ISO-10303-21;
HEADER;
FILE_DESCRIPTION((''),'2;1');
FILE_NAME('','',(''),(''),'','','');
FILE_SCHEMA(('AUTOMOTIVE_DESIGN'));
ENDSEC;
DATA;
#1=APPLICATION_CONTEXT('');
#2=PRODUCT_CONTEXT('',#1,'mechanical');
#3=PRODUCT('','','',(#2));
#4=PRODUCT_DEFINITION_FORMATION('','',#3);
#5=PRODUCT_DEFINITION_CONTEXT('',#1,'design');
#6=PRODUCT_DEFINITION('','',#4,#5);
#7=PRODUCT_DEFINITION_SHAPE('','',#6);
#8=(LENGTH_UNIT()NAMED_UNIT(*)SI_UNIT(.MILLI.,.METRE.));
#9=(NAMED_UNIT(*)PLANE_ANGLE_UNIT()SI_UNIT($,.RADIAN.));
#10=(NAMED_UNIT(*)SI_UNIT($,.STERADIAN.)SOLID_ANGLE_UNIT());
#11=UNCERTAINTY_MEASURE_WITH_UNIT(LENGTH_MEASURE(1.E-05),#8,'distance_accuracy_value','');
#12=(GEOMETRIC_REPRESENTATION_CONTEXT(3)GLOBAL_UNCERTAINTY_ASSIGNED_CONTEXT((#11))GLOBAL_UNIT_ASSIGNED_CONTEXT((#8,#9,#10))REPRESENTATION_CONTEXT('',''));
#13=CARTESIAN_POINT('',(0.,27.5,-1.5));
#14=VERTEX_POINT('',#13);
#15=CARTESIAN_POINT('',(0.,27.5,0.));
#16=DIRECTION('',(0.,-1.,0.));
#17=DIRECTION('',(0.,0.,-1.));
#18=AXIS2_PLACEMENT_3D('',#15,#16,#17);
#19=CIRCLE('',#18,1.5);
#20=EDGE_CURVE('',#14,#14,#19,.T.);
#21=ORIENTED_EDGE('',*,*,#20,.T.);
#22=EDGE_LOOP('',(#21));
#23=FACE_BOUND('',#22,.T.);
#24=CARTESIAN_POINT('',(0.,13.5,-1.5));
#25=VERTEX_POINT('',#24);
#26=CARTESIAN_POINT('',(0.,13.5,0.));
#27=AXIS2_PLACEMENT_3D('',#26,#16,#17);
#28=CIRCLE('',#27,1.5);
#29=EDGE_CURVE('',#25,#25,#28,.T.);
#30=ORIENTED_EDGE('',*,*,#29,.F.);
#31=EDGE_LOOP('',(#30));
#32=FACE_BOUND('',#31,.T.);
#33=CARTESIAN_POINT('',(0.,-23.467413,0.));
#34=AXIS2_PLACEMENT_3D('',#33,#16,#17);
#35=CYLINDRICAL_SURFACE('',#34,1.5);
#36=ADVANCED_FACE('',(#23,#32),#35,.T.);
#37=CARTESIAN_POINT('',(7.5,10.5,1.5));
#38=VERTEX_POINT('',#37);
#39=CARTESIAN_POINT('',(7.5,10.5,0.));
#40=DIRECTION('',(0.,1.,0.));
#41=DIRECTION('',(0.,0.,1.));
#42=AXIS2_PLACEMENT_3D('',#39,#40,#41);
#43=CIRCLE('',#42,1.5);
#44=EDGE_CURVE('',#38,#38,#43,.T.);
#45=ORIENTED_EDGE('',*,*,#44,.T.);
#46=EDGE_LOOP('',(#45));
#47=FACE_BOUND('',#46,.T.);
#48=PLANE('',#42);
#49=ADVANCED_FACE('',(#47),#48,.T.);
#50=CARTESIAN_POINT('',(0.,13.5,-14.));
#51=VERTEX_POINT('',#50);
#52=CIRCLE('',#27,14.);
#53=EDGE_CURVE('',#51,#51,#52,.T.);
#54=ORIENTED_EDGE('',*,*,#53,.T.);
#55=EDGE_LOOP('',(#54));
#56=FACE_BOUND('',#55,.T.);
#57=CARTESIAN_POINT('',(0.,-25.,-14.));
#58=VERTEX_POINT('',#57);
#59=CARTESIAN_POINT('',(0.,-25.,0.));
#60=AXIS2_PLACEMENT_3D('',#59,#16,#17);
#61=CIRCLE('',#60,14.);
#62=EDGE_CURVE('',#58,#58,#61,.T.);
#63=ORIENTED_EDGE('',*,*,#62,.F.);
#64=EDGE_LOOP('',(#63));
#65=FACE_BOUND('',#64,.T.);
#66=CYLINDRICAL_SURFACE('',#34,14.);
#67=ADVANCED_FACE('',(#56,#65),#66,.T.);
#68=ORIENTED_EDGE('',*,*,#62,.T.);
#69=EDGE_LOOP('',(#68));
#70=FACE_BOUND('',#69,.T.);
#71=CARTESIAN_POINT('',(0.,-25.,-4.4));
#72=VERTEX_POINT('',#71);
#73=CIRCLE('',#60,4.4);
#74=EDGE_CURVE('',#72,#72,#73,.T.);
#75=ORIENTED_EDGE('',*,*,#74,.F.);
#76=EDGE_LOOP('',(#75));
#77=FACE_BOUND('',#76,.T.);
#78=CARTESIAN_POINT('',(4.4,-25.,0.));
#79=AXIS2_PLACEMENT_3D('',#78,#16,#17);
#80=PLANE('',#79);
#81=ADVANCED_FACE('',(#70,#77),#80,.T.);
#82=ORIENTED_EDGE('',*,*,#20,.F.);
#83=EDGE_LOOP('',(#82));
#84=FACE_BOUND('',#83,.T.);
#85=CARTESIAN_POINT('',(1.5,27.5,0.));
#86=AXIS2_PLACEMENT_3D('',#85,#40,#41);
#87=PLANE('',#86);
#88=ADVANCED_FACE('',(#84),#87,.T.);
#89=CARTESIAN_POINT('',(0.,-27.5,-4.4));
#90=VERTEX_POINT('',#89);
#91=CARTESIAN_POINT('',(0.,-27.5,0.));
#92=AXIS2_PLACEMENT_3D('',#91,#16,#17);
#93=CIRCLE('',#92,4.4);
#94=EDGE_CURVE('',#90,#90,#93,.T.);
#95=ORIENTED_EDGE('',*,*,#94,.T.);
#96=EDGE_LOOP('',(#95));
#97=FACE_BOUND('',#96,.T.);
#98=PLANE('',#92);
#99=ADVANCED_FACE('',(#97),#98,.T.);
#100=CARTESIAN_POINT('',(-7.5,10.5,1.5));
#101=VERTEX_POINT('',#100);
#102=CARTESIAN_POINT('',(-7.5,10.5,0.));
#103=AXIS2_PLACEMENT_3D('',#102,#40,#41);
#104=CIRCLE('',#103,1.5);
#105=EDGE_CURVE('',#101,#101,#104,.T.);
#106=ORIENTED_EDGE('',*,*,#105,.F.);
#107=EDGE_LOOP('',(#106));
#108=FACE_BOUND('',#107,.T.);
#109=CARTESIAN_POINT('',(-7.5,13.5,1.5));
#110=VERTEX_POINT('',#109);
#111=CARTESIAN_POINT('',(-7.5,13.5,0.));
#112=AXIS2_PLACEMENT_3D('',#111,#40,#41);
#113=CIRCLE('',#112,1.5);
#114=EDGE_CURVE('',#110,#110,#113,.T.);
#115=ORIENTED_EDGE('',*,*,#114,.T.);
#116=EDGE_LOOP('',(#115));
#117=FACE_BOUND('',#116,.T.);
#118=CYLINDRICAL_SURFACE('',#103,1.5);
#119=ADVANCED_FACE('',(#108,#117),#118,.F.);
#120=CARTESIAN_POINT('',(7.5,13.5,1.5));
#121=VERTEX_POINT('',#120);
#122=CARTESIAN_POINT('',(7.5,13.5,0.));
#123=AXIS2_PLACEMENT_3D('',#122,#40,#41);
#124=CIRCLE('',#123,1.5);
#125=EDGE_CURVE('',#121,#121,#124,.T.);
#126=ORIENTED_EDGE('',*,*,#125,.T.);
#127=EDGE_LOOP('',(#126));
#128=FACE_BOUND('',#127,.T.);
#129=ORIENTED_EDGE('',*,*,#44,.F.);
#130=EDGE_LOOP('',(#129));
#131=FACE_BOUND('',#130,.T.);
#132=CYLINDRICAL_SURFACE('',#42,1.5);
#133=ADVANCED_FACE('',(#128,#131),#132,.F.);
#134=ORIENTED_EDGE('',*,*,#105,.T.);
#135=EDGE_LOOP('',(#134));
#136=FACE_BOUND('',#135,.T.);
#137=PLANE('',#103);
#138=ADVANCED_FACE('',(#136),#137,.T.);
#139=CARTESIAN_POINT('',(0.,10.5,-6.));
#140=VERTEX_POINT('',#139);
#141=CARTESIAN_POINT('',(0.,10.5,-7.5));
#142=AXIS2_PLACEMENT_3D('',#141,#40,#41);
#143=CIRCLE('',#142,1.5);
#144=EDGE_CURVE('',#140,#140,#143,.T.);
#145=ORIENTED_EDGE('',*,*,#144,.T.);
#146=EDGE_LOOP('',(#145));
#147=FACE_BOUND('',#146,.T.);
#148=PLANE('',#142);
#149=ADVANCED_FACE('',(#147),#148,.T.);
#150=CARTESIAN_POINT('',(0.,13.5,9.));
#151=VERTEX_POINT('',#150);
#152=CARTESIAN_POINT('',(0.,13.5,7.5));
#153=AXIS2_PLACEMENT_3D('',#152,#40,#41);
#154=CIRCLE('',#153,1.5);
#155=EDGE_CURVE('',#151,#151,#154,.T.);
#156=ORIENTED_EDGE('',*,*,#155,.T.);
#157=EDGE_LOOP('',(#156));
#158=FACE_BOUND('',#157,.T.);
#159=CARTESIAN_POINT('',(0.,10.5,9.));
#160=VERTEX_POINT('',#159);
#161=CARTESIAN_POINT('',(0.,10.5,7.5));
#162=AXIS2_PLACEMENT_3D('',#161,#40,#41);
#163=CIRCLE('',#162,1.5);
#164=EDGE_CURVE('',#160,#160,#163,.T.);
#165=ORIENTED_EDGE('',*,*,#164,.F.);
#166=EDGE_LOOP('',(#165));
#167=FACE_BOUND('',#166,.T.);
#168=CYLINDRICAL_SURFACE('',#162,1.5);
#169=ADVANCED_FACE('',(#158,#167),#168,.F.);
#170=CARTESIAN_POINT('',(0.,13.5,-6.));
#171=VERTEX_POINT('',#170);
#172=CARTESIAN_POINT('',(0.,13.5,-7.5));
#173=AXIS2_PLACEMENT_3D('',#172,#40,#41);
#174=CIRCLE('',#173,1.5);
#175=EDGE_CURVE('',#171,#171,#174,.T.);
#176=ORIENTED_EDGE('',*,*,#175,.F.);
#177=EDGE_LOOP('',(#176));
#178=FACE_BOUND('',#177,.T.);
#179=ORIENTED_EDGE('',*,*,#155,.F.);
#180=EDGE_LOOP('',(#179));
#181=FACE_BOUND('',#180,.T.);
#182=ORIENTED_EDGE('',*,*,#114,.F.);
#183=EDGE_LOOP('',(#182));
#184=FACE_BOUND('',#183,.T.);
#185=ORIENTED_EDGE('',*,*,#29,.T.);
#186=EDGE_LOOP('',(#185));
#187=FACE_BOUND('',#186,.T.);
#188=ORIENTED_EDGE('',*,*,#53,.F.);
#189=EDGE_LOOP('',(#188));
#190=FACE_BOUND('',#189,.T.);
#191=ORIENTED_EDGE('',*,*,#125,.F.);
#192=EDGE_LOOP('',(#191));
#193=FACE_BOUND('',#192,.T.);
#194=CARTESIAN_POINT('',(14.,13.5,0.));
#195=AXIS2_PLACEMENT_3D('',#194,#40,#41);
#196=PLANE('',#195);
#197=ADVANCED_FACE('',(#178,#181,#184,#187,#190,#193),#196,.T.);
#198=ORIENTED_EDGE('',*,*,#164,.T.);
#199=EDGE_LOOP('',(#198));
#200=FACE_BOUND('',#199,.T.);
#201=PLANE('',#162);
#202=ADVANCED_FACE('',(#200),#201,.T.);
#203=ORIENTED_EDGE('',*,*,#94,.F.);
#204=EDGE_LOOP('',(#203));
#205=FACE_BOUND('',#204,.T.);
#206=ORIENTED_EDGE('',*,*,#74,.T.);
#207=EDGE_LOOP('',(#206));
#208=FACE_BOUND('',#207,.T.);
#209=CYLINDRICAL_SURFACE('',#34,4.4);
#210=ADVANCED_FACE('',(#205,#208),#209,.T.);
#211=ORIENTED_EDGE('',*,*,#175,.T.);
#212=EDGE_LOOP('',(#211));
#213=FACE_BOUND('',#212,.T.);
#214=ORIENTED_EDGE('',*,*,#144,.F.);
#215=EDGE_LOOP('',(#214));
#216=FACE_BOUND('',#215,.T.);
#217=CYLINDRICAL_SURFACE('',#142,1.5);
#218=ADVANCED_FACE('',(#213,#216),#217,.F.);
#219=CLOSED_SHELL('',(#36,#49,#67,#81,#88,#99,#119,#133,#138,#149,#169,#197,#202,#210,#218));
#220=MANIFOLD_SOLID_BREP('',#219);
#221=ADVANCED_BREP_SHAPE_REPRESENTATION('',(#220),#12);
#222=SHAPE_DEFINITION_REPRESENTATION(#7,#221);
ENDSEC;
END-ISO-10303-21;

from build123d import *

# Parameters (mm, degrees)
SKETCH2_R          = 1.5
CUT_EXTRUDE1_DEPTH = 3


with BuildPart() as part:
    # Sketch1 → Revolve1 (revolve)
    with BuildSketch(Plane.XY, mode=Mode.PRIVATE) as revolve1_sk:
        Polygon((0, -27.5), (4.4, -27.5), (4.4, -25), (14, -25), (14, 13.5), (1.5, 13.5), (1.5, 27.5), (0, 27.5), align=None)
    revolve(revolve1_sk.sketch.rotate(Axis((0, -23.467413442, 0), (0, 1, 0)), 90), axis=Axis((0, -23.467413442, 0), (0, 1, 0)))

    # Sketch2 → Cut-Extrude1 (cut)
    with BuildSketch(Plane(origin=(0, 13.5, 0), x_dir=(1, 0, 0), z_dir=(0, 1, 0))):
        with Locations(Location((-7.5, 0, 0), (0, 0, 270))):
            Circle(SKETCH2_R)
        with Locations(Location((0, -7.5, 0), (0, 0, 270))):
            Circle(SKETCH2_R)
        with Locations(Location((7.5, 0, 0), (0, 0, 270))):
            Circle(SKETCH2_R)
        with Locations(Location((0, 7.5, 0), (0, 0, 270))):
            Circle(SKETCH2_R)
    extrude(amount=-CUT_EXTRUDE1_DEPTH, mode=Mode.SUBTRACT)


solid = part.part
